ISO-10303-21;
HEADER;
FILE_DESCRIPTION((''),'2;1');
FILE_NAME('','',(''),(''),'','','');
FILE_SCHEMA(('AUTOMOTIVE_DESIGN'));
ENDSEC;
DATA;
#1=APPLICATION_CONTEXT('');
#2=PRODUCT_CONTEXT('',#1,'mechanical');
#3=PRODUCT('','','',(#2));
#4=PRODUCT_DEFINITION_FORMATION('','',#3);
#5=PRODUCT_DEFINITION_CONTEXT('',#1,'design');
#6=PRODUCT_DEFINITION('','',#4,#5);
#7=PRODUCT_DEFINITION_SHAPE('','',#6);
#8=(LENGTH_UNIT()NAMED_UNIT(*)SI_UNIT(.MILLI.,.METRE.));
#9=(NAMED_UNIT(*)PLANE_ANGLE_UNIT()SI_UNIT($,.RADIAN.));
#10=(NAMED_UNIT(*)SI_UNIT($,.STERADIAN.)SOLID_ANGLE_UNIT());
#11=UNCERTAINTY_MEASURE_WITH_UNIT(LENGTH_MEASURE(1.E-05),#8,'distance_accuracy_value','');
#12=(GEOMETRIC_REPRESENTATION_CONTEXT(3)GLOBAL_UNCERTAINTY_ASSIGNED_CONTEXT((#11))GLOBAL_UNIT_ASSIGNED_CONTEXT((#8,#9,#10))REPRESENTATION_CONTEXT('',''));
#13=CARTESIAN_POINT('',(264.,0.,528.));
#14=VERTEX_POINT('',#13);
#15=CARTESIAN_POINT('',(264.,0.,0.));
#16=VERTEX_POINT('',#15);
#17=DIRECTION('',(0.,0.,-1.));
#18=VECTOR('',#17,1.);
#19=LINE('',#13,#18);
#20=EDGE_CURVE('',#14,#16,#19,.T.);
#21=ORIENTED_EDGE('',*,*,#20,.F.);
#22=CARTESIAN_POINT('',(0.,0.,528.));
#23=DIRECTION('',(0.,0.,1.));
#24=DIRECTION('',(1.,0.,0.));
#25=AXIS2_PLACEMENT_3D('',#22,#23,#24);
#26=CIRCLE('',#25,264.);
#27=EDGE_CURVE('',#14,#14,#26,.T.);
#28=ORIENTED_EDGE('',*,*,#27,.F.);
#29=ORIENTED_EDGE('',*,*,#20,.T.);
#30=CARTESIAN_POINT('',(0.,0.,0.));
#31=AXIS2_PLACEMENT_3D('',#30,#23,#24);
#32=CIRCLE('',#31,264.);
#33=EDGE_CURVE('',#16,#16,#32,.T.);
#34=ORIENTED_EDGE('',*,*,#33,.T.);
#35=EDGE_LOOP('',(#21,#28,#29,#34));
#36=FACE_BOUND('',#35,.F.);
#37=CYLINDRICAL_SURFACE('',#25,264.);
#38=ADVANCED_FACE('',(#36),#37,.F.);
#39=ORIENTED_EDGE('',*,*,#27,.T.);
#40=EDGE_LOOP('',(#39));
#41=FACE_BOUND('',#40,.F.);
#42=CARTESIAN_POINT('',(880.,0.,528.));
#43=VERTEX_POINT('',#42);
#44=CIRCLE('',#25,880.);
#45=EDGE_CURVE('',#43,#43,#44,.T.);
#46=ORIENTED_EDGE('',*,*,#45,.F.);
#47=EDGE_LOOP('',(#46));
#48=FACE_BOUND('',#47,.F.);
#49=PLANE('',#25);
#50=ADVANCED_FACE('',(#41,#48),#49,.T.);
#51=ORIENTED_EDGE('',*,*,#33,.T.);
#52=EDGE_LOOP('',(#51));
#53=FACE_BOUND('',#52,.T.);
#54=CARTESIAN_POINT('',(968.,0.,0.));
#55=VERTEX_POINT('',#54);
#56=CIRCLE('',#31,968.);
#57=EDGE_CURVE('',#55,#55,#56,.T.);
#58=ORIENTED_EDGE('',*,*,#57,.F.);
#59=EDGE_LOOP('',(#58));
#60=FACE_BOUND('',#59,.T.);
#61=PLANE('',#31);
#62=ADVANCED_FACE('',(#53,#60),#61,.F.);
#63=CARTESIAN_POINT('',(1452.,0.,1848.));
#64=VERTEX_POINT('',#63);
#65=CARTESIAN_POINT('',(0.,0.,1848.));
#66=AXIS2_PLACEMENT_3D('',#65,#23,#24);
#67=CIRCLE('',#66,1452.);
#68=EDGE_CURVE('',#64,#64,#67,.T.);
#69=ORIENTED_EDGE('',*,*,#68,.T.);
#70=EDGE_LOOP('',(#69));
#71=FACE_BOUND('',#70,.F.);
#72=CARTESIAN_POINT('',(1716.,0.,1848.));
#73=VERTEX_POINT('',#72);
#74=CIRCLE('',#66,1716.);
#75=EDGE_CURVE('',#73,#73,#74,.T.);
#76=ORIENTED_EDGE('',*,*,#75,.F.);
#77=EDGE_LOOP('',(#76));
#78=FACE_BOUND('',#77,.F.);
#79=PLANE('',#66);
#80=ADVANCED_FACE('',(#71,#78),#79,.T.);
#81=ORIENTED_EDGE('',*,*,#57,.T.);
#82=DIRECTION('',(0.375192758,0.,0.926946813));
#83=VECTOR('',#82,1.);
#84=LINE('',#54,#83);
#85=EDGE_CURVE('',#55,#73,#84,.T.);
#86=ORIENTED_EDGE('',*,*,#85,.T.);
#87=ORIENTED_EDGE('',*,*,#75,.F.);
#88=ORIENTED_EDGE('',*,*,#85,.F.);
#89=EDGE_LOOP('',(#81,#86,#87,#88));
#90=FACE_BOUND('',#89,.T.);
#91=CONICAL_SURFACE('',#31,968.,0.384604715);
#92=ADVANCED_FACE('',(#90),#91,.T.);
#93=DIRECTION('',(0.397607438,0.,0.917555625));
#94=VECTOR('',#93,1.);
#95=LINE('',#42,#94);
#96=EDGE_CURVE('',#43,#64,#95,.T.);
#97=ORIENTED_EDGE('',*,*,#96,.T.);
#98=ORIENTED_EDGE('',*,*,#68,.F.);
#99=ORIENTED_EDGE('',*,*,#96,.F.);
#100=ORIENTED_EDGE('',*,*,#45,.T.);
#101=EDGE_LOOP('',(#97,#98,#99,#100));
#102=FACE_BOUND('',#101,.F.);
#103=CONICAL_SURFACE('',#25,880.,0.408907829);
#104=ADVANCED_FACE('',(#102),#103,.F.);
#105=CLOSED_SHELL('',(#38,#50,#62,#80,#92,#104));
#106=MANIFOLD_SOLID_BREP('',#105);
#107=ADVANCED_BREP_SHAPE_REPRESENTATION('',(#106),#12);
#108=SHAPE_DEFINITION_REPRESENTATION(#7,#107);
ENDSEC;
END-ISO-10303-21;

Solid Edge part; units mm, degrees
sketch "Sketch1" plane through (0, 0, 0) normal (0, -1, 0) x (1, 0, 0)
  line L0 (968, 0) -> (1716, 1848)
  line L1 (1452, 1848) -> (1716, 1848)
  line L2 (880, 528) -> (1452, 1848)
  line L3 (0, 528) -> (880, 528)
  line L4 (0, 0) -> (0, 528)
  line L5 (0, 0) -> (968, 0)
revolve "RevolvedProtrusion1" add sketch "Sketch1" angle 360 about axis through (0, 0, 0) along (0, 0, 1)
sketch "Sketch2" plane through (0, 0, 528) normal (0, 0, 1) x (1, 0, 0)
  circle A0 centre (0, 0) radius 264
extrude "Cutout1" cut sketch "Sketch2" against normal through all
